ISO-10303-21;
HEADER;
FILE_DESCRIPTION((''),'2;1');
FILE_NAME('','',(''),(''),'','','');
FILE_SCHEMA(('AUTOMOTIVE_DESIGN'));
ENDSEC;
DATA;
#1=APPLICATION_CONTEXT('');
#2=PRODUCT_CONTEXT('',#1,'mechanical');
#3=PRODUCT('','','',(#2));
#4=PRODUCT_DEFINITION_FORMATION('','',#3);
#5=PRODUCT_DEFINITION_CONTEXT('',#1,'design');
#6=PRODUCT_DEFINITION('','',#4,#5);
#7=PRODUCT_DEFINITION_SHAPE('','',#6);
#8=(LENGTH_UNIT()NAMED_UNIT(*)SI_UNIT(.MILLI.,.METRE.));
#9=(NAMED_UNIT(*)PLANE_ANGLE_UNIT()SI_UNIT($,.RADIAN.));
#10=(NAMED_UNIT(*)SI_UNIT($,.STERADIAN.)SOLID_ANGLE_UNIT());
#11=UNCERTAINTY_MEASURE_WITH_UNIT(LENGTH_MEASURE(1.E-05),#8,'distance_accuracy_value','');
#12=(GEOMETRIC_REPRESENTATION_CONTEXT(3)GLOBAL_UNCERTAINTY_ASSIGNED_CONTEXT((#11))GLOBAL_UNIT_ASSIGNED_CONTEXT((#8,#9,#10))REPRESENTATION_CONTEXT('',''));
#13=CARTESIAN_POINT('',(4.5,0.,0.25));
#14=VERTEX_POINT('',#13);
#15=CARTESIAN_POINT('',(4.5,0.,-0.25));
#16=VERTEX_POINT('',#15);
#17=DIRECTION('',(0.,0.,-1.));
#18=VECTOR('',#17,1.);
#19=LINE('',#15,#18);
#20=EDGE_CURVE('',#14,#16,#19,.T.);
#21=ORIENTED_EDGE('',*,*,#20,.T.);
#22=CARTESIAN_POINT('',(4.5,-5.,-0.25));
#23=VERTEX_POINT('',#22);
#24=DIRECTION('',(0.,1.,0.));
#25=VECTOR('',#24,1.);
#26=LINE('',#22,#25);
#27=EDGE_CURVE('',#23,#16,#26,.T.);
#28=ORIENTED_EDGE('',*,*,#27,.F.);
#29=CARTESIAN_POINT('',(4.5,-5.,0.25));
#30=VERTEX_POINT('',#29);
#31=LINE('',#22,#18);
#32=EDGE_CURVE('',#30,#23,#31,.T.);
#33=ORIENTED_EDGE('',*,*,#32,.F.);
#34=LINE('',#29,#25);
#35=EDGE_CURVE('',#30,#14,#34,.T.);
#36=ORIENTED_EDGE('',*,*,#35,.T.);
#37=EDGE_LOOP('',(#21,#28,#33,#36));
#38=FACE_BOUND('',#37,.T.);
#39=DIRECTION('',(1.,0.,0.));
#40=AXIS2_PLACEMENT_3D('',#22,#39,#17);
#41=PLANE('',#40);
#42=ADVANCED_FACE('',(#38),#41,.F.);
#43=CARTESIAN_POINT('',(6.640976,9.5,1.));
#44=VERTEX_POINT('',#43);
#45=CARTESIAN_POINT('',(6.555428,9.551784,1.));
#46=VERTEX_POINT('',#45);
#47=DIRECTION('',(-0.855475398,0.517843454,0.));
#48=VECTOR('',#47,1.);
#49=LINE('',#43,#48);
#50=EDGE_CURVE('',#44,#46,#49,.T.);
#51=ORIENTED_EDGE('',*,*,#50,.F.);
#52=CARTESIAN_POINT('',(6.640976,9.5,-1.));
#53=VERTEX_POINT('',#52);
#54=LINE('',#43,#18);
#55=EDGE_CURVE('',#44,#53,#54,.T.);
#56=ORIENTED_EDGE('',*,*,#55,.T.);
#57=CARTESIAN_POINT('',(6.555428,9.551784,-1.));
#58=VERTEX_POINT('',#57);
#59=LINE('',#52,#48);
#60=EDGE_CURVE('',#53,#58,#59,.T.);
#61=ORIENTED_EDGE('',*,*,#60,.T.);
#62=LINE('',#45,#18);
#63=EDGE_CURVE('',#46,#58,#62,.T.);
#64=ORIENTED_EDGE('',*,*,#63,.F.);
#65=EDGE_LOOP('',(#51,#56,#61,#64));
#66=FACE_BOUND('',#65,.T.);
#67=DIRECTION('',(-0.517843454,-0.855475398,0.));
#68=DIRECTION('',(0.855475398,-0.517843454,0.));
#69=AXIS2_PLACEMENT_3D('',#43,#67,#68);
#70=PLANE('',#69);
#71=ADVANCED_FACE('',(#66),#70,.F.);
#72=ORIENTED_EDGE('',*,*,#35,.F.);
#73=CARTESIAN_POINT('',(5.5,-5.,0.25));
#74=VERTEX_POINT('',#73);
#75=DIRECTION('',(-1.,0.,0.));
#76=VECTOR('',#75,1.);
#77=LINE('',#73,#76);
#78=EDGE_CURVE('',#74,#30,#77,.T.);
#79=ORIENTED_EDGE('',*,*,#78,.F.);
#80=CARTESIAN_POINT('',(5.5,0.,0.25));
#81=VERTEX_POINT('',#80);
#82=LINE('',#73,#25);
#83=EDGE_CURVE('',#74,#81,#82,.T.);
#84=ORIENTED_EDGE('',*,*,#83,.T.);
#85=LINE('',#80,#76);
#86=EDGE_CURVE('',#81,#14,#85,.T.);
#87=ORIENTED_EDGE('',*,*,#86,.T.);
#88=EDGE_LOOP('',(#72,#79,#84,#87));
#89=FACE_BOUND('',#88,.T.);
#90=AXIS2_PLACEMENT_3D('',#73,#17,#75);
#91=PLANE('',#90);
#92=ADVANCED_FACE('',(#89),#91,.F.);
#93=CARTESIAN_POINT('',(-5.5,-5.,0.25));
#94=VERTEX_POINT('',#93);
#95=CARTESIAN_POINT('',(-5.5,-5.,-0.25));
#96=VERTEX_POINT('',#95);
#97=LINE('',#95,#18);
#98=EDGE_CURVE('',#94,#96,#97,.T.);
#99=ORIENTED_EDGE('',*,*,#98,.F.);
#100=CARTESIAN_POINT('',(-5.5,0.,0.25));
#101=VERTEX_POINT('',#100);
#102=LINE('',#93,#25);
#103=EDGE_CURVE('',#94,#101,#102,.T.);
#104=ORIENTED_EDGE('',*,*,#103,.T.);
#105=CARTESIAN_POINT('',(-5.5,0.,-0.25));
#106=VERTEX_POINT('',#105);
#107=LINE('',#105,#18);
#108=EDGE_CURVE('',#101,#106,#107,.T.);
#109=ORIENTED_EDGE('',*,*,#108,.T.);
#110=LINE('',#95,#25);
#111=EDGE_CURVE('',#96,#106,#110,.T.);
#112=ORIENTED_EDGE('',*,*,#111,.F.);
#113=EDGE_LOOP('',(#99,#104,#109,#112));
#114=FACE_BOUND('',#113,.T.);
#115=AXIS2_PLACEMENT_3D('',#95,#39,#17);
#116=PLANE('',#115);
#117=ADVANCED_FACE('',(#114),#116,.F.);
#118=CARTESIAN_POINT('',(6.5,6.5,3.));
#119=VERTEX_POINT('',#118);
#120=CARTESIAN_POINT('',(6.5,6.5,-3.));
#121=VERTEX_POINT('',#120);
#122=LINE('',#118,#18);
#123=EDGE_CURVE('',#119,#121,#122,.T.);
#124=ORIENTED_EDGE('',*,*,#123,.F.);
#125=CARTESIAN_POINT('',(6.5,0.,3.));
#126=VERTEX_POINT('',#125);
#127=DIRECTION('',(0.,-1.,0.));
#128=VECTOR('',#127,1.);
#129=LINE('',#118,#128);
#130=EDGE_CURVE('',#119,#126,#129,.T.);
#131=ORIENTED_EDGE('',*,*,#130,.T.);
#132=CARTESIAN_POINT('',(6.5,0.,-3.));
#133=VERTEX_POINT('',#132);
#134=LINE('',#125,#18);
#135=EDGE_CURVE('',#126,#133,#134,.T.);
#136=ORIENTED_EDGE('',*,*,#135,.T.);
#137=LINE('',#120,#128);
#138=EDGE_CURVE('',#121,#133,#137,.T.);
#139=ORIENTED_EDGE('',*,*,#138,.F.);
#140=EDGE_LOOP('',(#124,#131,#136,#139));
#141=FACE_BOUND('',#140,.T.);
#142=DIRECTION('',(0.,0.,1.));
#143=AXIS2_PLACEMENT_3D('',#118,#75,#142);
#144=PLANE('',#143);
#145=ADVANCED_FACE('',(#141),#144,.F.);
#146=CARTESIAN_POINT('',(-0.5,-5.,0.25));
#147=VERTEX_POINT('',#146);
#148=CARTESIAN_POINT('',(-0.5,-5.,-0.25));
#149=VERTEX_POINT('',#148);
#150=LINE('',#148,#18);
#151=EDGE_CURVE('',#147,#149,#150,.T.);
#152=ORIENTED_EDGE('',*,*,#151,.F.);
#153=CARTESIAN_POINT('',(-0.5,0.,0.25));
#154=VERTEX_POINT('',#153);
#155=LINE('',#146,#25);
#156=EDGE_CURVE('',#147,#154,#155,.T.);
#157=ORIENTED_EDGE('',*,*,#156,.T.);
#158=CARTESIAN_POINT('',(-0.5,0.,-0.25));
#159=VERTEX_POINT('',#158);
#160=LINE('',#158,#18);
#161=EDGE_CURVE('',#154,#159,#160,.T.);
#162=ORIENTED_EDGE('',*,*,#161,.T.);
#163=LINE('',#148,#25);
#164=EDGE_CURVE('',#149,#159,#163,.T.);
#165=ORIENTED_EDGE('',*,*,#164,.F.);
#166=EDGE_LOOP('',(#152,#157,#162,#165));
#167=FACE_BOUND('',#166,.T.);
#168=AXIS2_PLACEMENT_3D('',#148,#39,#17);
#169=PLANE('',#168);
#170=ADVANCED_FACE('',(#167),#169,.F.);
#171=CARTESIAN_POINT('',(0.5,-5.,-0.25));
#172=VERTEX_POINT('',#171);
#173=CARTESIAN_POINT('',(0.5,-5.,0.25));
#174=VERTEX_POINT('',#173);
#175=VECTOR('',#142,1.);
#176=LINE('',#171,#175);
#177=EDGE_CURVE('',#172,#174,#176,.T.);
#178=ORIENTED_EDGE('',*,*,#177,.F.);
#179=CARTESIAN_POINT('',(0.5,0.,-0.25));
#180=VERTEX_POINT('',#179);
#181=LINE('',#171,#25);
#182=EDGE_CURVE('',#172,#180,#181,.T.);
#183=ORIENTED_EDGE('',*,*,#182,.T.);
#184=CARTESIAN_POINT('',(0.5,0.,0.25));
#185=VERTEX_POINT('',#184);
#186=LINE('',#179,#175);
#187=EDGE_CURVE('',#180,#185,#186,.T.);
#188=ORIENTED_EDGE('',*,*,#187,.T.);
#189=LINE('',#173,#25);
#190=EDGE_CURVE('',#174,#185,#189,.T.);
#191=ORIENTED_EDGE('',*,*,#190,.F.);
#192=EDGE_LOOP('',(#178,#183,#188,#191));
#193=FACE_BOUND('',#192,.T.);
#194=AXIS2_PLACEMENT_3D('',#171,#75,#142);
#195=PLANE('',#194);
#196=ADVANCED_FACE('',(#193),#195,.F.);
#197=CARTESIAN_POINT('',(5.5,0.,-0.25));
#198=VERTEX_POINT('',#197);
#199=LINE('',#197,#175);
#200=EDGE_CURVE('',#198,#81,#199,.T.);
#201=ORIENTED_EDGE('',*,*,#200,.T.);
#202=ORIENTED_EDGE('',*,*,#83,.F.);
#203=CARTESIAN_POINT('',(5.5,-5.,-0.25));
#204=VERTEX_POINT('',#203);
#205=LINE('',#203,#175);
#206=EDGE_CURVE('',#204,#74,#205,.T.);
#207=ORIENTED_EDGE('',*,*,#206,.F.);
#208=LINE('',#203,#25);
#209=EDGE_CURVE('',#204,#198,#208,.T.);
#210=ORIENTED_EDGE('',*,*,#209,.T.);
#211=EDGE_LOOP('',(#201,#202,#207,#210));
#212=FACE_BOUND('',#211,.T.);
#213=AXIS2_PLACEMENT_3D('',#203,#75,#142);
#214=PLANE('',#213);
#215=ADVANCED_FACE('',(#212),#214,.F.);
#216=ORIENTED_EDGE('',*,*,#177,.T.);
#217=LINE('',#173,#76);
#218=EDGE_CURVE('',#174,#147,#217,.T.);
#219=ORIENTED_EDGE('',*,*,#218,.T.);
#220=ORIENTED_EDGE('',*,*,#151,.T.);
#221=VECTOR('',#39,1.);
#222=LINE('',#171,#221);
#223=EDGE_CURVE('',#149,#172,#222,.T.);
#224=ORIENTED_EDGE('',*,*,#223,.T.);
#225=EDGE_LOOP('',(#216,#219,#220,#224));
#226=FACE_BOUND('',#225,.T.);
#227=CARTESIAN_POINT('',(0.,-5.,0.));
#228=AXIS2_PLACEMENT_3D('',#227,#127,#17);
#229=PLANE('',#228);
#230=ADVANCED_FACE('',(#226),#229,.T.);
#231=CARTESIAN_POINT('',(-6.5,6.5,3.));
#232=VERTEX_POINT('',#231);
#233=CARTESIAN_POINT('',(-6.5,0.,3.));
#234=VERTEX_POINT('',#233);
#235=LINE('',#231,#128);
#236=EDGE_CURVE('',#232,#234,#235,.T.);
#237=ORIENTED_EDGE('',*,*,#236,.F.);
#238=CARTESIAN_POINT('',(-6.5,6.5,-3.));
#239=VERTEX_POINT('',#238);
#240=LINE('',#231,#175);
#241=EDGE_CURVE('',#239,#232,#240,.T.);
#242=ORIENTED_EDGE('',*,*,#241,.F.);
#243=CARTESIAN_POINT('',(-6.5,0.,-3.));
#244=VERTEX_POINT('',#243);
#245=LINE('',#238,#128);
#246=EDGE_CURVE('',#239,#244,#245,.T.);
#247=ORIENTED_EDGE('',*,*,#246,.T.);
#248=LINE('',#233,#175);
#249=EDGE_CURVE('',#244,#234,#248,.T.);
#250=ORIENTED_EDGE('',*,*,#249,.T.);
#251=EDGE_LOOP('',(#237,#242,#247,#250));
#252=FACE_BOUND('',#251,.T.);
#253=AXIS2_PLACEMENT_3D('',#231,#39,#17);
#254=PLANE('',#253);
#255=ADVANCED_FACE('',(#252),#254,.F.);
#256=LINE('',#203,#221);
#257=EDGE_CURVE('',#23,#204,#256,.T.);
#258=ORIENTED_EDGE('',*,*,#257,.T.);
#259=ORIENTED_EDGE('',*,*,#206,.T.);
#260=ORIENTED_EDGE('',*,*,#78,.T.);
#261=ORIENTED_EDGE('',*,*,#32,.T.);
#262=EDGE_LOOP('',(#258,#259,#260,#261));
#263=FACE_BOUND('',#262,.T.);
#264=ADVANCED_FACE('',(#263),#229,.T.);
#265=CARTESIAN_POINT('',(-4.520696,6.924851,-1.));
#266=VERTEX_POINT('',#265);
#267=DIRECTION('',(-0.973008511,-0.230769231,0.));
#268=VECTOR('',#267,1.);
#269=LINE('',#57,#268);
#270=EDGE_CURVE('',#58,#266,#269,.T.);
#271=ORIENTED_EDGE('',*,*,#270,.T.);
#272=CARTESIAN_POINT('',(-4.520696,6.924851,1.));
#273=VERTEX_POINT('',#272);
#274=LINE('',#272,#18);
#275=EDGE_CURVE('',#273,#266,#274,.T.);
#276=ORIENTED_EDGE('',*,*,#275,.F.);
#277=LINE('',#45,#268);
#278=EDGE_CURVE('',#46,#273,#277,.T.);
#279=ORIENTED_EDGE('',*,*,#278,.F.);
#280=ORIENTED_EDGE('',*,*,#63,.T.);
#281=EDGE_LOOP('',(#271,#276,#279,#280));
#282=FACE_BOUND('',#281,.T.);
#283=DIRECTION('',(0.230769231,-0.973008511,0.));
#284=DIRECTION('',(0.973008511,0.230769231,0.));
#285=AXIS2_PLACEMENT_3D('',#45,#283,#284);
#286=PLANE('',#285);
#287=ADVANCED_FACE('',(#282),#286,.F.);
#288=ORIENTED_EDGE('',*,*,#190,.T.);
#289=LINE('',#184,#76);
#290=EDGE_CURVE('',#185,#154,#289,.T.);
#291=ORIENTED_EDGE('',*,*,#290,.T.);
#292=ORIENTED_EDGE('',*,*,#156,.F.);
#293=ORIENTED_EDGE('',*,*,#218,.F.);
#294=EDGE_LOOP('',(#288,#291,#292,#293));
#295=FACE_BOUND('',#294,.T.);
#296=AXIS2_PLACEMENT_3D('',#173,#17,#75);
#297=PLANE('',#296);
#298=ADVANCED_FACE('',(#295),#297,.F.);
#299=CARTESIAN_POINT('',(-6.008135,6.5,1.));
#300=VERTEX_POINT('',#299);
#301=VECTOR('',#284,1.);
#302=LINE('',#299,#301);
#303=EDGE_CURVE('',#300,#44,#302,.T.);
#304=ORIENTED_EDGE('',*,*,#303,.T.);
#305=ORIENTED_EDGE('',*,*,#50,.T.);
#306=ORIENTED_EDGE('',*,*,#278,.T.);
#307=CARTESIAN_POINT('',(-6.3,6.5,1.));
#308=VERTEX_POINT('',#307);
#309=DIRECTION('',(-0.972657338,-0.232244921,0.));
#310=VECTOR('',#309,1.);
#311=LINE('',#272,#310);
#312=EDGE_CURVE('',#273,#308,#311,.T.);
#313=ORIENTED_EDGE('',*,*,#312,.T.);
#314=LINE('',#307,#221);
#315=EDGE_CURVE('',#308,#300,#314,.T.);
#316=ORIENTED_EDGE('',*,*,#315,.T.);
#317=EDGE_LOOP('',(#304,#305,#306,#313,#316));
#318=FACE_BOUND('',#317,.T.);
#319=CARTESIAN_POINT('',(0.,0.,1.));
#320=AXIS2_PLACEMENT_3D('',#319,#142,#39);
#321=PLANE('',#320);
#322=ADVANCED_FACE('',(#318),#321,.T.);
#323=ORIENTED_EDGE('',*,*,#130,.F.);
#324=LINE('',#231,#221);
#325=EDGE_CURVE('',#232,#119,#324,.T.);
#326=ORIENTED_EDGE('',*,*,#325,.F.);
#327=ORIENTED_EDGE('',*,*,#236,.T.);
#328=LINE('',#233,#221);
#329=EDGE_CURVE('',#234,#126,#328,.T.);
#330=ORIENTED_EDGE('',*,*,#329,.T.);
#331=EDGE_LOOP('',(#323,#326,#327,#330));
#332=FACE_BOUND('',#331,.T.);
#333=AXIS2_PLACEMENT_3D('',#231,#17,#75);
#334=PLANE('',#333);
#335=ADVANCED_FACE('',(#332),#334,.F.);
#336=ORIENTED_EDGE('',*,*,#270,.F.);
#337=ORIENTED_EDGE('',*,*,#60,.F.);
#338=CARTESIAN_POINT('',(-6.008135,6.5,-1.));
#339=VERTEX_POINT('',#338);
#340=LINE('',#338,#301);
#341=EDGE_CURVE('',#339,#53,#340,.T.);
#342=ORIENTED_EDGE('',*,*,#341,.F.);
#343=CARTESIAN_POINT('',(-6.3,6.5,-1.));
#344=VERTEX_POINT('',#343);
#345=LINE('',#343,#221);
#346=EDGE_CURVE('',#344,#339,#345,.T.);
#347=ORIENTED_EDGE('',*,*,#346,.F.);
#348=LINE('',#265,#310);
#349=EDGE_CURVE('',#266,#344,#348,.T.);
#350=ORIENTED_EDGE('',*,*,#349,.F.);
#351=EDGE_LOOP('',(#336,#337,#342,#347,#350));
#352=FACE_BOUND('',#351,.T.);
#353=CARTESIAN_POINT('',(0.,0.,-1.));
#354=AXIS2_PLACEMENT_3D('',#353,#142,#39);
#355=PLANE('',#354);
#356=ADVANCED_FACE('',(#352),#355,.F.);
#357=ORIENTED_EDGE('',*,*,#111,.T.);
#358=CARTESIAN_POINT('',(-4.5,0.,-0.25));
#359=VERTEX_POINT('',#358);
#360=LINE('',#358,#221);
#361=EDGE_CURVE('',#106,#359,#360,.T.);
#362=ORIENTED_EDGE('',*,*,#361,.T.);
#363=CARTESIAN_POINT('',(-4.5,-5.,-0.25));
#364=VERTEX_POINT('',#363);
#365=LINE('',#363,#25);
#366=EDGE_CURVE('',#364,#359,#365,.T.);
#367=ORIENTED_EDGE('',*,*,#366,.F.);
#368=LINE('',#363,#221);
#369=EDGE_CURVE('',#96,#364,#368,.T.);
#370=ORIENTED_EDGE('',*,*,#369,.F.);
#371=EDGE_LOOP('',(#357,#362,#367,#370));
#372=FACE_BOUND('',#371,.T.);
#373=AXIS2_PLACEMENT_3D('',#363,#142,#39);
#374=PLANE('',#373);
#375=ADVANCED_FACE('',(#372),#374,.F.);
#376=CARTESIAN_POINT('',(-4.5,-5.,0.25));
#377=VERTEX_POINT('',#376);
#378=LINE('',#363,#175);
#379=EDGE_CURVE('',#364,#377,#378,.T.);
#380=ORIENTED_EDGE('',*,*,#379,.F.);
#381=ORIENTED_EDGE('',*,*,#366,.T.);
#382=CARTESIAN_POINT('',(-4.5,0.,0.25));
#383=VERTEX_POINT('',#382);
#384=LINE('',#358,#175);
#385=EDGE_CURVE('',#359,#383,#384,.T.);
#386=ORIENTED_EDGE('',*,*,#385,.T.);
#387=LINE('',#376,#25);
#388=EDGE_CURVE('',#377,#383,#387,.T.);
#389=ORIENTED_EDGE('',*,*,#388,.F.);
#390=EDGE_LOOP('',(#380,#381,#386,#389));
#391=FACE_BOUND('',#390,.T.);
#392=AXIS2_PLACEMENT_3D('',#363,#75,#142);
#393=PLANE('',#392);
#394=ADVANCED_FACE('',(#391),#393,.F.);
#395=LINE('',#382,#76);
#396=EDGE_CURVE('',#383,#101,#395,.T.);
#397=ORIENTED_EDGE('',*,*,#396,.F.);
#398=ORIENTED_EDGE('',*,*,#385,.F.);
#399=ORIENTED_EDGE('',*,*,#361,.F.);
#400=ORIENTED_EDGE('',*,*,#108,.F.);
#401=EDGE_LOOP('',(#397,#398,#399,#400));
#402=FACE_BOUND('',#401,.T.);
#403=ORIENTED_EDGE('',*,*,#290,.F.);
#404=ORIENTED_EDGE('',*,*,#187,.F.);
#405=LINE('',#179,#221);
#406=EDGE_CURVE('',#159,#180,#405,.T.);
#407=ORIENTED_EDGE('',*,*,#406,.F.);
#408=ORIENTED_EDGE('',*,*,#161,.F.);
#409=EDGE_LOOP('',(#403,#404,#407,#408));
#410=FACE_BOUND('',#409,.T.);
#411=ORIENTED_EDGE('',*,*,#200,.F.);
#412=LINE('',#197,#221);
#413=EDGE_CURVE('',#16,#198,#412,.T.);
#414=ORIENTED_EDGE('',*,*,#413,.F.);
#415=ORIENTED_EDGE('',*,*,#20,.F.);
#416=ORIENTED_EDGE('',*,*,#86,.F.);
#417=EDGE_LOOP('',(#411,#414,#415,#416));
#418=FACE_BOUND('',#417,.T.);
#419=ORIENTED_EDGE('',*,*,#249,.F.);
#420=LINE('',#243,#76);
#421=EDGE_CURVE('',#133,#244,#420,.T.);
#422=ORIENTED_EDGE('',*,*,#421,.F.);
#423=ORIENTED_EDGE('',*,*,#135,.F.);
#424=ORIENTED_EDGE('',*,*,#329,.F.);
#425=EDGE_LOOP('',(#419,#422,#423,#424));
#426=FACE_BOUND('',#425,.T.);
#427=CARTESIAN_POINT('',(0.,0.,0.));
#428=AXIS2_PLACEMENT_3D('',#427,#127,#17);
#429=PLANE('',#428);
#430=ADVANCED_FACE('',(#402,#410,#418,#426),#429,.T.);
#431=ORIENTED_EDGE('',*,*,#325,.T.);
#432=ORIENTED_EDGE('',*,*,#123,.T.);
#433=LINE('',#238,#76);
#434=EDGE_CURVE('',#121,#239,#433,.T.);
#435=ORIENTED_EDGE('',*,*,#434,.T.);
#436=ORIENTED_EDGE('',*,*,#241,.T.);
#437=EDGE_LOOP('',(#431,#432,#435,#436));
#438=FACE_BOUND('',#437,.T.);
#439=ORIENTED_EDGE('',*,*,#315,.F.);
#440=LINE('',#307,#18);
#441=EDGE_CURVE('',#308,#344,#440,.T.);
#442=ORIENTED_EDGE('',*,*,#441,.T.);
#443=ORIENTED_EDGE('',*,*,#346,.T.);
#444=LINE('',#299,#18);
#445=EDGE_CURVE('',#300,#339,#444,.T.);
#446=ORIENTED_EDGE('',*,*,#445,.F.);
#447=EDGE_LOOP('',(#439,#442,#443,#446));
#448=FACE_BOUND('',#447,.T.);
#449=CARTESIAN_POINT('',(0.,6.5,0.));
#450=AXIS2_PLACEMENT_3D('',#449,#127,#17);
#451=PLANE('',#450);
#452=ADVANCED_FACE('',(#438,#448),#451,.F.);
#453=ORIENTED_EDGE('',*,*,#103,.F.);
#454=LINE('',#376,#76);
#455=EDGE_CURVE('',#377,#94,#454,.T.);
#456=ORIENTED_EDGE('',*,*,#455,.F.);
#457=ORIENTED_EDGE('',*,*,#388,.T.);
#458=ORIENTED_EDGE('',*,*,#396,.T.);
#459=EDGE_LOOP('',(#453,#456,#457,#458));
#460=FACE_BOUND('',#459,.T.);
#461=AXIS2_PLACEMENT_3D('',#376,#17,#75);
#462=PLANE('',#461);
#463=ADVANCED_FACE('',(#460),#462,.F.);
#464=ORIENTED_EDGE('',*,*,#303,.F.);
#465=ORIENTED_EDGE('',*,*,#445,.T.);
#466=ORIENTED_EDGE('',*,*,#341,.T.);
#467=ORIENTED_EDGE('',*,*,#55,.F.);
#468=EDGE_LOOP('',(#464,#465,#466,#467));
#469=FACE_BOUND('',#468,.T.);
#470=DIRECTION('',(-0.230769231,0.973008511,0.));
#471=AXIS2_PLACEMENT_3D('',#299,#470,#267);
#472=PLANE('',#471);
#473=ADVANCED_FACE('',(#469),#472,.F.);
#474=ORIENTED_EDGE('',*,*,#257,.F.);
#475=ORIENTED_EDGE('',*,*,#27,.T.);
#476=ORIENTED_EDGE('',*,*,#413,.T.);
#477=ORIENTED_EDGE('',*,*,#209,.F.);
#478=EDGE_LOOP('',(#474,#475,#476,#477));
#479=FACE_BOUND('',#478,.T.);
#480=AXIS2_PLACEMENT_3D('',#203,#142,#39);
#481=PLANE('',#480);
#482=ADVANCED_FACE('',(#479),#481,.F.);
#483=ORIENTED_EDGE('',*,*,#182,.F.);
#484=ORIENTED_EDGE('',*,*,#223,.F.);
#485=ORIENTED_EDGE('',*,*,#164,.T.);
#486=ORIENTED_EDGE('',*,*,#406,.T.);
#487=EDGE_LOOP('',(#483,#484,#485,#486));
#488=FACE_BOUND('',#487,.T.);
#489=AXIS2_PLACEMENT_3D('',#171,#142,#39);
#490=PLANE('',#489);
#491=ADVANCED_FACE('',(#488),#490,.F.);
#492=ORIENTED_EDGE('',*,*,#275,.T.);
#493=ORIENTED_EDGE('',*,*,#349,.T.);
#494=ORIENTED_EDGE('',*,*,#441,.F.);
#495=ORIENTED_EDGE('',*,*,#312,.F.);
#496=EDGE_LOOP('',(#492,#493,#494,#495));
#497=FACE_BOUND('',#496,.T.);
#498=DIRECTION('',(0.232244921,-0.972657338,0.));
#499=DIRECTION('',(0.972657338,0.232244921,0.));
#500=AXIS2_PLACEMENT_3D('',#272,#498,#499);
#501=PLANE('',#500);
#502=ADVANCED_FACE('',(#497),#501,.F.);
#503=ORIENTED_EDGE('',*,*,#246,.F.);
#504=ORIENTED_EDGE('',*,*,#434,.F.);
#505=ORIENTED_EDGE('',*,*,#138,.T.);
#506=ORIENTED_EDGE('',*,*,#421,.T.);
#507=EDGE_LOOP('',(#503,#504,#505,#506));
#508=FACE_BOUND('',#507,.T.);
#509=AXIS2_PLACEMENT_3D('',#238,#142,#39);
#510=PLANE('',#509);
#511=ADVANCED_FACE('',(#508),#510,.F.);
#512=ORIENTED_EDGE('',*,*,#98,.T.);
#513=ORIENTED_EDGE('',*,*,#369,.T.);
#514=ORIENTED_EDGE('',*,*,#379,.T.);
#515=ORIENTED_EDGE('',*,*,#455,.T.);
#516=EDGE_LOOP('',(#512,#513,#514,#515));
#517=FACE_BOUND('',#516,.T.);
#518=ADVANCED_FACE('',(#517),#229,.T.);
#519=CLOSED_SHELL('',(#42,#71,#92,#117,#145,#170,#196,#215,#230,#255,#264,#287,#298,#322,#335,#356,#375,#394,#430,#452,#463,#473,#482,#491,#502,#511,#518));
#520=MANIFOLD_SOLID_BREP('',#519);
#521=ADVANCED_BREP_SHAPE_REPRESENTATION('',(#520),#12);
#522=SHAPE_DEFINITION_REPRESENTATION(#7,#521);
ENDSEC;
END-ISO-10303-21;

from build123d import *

# Parameters (mm, degrees)
ESQUISSE1_W        = 13
ESQUISSE1_H        = 6
BOSS_EXTRU_1_DEPTH = 6.5
ESQUISSE2_W        = 1
ESQUISSE2_H        = 0.5
BOSS_EXTRU_2_DEPTH = 5
BOSS_EXTRU_3_DEPTH = 1


with BuildPart() as part:
    # Esquisse1 → Boss.-Extru.1 (new body)
    with BuildSketch(Plane(origin=(0, 0, 0), x_dir=(1, 0, 0), z_dir=(0, 1, 0))):
        Rectangle(ESQUISSE1_W, ESQUISSE1_H)
    extrude(amount=BOSS_EXTRU_1_DEPTH)

    # Esquisse2 → Boss.-Extru.2 (add)
    with BuildSketch(Plane.XZ):
        with Locations((-5, 0)):
            Rectangle(ESQUISSE2_W, ESQUISSE2_H)
        Rectangle(ESQUISSE2_W, ESQUISSE2_H)
        with Locations((5, 0)):
            Rectangle(ESQUISSE2_W, ESQUISSE2_H)
    extrude(amount=BOSS_EXTRU_2_DEPTH)

    # Esquisse3 → Boss.-Extru.3 (add, symmetric)
    with BuildSketch(Plane.XY):
        Polygon((-6.00813505, 6.5), (6.640975591, 9.5), (6.555428051, 9.551784345), (-4.520695815, 6.924850916), (-6.3, 6.5), align=None)
    extrude(amount=BOSS_EXTRU_3_DEPTH, both=True)


solid = part.part
